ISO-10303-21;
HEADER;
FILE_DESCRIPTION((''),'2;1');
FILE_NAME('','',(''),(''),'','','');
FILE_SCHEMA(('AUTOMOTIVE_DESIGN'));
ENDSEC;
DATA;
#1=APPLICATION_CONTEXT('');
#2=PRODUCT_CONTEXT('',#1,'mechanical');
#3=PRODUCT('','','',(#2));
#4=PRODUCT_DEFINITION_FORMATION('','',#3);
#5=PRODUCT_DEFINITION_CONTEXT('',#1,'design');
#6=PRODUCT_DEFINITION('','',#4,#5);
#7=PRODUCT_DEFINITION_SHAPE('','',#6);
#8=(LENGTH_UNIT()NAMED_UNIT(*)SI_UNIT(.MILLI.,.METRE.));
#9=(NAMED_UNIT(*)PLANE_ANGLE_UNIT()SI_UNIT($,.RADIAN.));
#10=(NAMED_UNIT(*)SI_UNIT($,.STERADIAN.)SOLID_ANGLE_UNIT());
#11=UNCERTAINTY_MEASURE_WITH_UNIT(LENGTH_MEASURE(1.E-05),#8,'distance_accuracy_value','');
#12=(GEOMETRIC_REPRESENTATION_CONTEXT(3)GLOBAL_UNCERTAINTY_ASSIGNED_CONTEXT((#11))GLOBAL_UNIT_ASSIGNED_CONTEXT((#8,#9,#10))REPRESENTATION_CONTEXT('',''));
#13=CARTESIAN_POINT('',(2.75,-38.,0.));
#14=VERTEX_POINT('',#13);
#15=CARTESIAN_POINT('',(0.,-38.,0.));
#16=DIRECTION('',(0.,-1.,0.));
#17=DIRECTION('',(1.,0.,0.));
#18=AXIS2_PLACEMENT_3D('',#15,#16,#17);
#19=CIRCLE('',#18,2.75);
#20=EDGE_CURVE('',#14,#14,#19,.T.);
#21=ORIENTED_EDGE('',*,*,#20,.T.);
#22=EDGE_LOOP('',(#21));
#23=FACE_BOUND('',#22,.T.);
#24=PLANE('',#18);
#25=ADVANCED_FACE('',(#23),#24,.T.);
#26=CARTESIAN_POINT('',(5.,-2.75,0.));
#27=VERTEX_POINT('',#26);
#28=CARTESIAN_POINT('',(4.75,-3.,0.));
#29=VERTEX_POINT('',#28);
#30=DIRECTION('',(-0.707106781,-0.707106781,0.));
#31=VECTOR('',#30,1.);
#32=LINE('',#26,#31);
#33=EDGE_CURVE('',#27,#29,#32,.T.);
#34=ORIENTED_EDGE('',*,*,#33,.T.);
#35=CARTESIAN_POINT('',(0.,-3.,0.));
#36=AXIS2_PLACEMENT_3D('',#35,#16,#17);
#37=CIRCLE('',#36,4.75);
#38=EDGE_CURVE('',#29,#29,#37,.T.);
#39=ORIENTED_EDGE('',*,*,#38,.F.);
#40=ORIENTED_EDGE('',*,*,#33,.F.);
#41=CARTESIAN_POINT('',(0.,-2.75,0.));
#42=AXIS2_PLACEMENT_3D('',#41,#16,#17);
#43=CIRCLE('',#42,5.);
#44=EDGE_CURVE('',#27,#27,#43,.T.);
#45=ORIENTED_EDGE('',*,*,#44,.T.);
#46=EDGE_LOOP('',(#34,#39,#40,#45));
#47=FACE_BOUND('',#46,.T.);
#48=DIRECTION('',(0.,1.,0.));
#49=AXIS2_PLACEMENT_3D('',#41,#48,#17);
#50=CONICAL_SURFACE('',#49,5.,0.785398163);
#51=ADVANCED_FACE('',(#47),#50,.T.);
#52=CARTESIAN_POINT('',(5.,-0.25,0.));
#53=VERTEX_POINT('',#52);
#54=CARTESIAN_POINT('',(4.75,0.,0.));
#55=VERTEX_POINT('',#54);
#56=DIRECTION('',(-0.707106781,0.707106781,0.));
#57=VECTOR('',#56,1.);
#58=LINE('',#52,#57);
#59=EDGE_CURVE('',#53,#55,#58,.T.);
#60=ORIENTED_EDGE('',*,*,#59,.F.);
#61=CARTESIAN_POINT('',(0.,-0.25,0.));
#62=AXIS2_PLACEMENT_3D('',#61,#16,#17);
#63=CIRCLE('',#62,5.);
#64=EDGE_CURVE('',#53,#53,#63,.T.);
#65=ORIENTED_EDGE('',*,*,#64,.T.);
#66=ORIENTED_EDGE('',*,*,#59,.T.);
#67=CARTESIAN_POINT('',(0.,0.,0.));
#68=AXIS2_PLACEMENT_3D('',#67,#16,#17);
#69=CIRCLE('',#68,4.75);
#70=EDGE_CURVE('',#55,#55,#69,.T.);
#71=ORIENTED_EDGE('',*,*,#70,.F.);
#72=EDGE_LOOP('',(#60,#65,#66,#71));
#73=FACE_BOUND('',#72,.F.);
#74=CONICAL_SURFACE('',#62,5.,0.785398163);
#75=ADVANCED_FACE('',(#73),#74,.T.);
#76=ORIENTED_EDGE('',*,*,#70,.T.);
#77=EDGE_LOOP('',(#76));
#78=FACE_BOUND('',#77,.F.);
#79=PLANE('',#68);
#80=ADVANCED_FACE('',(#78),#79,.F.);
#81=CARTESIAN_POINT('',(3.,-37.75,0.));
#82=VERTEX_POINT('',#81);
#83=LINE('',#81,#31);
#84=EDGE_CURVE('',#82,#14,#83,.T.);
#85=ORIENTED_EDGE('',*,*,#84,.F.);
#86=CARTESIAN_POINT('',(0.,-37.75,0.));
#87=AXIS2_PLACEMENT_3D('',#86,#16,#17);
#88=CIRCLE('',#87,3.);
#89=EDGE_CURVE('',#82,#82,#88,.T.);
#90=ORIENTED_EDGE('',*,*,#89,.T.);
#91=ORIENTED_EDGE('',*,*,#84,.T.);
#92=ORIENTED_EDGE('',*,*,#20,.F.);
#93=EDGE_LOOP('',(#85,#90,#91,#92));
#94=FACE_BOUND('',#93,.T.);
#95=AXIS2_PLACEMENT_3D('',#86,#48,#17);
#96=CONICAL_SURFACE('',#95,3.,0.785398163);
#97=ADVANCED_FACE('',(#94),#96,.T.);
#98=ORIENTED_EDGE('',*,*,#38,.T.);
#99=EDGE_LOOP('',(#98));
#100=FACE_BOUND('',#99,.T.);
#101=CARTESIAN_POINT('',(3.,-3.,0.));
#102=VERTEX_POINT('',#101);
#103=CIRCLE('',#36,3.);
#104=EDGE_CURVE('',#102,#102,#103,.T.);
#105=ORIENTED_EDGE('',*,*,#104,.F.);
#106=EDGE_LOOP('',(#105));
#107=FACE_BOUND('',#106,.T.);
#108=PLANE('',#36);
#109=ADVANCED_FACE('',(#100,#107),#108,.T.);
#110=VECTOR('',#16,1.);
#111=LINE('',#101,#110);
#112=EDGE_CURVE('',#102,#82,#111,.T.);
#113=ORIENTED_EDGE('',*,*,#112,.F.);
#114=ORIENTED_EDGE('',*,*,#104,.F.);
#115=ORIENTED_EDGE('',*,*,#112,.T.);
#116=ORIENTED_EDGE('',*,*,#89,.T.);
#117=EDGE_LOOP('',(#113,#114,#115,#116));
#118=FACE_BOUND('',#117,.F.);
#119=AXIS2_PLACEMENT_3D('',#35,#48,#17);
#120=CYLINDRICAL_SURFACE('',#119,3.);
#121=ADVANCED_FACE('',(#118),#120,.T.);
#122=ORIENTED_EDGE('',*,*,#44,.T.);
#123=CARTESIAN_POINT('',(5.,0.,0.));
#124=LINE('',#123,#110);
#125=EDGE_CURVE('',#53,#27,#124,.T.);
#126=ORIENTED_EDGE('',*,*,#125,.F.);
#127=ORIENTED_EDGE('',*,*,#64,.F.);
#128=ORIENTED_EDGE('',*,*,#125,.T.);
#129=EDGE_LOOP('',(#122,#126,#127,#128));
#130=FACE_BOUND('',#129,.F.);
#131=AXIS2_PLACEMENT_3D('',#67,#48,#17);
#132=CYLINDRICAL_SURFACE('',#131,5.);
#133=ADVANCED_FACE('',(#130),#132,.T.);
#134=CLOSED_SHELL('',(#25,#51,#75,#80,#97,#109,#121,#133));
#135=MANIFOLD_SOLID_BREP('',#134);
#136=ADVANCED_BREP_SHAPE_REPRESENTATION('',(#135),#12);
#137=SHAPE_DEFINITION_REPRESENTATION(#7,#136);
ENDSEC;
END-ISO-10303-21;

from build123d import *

# Parameters (mm, degrees)
F0_R     = 5
F1_DEPTH = 3
F2_R     = 3
F3_DEPTH = 35
F4_SIZE  = 0.25


with BuildPart() as f1:
    # F0 (on Front) → F1 (new body)
    with BuildSketch(Plane.XZ):
        Circle(F0_R)
    extrude(amount=F1_DEPTH)

    # F2 (on face) → F3 (join)
    with BuildSketch(Plane.XZ.offset(3)):
        Circle(F2_R)
    extrude(amount=F3_DEPTH)

    # F4
    f4_edges = [f1.edges().sort_by_distance(p)[0] for p in [
        (-5, 0, 0),
        (-5, -3, 0),
        (-3, -38, 0),
    ]]
    chamfer(f4_edges, length=F4_SIZE)


solid = f1.part
